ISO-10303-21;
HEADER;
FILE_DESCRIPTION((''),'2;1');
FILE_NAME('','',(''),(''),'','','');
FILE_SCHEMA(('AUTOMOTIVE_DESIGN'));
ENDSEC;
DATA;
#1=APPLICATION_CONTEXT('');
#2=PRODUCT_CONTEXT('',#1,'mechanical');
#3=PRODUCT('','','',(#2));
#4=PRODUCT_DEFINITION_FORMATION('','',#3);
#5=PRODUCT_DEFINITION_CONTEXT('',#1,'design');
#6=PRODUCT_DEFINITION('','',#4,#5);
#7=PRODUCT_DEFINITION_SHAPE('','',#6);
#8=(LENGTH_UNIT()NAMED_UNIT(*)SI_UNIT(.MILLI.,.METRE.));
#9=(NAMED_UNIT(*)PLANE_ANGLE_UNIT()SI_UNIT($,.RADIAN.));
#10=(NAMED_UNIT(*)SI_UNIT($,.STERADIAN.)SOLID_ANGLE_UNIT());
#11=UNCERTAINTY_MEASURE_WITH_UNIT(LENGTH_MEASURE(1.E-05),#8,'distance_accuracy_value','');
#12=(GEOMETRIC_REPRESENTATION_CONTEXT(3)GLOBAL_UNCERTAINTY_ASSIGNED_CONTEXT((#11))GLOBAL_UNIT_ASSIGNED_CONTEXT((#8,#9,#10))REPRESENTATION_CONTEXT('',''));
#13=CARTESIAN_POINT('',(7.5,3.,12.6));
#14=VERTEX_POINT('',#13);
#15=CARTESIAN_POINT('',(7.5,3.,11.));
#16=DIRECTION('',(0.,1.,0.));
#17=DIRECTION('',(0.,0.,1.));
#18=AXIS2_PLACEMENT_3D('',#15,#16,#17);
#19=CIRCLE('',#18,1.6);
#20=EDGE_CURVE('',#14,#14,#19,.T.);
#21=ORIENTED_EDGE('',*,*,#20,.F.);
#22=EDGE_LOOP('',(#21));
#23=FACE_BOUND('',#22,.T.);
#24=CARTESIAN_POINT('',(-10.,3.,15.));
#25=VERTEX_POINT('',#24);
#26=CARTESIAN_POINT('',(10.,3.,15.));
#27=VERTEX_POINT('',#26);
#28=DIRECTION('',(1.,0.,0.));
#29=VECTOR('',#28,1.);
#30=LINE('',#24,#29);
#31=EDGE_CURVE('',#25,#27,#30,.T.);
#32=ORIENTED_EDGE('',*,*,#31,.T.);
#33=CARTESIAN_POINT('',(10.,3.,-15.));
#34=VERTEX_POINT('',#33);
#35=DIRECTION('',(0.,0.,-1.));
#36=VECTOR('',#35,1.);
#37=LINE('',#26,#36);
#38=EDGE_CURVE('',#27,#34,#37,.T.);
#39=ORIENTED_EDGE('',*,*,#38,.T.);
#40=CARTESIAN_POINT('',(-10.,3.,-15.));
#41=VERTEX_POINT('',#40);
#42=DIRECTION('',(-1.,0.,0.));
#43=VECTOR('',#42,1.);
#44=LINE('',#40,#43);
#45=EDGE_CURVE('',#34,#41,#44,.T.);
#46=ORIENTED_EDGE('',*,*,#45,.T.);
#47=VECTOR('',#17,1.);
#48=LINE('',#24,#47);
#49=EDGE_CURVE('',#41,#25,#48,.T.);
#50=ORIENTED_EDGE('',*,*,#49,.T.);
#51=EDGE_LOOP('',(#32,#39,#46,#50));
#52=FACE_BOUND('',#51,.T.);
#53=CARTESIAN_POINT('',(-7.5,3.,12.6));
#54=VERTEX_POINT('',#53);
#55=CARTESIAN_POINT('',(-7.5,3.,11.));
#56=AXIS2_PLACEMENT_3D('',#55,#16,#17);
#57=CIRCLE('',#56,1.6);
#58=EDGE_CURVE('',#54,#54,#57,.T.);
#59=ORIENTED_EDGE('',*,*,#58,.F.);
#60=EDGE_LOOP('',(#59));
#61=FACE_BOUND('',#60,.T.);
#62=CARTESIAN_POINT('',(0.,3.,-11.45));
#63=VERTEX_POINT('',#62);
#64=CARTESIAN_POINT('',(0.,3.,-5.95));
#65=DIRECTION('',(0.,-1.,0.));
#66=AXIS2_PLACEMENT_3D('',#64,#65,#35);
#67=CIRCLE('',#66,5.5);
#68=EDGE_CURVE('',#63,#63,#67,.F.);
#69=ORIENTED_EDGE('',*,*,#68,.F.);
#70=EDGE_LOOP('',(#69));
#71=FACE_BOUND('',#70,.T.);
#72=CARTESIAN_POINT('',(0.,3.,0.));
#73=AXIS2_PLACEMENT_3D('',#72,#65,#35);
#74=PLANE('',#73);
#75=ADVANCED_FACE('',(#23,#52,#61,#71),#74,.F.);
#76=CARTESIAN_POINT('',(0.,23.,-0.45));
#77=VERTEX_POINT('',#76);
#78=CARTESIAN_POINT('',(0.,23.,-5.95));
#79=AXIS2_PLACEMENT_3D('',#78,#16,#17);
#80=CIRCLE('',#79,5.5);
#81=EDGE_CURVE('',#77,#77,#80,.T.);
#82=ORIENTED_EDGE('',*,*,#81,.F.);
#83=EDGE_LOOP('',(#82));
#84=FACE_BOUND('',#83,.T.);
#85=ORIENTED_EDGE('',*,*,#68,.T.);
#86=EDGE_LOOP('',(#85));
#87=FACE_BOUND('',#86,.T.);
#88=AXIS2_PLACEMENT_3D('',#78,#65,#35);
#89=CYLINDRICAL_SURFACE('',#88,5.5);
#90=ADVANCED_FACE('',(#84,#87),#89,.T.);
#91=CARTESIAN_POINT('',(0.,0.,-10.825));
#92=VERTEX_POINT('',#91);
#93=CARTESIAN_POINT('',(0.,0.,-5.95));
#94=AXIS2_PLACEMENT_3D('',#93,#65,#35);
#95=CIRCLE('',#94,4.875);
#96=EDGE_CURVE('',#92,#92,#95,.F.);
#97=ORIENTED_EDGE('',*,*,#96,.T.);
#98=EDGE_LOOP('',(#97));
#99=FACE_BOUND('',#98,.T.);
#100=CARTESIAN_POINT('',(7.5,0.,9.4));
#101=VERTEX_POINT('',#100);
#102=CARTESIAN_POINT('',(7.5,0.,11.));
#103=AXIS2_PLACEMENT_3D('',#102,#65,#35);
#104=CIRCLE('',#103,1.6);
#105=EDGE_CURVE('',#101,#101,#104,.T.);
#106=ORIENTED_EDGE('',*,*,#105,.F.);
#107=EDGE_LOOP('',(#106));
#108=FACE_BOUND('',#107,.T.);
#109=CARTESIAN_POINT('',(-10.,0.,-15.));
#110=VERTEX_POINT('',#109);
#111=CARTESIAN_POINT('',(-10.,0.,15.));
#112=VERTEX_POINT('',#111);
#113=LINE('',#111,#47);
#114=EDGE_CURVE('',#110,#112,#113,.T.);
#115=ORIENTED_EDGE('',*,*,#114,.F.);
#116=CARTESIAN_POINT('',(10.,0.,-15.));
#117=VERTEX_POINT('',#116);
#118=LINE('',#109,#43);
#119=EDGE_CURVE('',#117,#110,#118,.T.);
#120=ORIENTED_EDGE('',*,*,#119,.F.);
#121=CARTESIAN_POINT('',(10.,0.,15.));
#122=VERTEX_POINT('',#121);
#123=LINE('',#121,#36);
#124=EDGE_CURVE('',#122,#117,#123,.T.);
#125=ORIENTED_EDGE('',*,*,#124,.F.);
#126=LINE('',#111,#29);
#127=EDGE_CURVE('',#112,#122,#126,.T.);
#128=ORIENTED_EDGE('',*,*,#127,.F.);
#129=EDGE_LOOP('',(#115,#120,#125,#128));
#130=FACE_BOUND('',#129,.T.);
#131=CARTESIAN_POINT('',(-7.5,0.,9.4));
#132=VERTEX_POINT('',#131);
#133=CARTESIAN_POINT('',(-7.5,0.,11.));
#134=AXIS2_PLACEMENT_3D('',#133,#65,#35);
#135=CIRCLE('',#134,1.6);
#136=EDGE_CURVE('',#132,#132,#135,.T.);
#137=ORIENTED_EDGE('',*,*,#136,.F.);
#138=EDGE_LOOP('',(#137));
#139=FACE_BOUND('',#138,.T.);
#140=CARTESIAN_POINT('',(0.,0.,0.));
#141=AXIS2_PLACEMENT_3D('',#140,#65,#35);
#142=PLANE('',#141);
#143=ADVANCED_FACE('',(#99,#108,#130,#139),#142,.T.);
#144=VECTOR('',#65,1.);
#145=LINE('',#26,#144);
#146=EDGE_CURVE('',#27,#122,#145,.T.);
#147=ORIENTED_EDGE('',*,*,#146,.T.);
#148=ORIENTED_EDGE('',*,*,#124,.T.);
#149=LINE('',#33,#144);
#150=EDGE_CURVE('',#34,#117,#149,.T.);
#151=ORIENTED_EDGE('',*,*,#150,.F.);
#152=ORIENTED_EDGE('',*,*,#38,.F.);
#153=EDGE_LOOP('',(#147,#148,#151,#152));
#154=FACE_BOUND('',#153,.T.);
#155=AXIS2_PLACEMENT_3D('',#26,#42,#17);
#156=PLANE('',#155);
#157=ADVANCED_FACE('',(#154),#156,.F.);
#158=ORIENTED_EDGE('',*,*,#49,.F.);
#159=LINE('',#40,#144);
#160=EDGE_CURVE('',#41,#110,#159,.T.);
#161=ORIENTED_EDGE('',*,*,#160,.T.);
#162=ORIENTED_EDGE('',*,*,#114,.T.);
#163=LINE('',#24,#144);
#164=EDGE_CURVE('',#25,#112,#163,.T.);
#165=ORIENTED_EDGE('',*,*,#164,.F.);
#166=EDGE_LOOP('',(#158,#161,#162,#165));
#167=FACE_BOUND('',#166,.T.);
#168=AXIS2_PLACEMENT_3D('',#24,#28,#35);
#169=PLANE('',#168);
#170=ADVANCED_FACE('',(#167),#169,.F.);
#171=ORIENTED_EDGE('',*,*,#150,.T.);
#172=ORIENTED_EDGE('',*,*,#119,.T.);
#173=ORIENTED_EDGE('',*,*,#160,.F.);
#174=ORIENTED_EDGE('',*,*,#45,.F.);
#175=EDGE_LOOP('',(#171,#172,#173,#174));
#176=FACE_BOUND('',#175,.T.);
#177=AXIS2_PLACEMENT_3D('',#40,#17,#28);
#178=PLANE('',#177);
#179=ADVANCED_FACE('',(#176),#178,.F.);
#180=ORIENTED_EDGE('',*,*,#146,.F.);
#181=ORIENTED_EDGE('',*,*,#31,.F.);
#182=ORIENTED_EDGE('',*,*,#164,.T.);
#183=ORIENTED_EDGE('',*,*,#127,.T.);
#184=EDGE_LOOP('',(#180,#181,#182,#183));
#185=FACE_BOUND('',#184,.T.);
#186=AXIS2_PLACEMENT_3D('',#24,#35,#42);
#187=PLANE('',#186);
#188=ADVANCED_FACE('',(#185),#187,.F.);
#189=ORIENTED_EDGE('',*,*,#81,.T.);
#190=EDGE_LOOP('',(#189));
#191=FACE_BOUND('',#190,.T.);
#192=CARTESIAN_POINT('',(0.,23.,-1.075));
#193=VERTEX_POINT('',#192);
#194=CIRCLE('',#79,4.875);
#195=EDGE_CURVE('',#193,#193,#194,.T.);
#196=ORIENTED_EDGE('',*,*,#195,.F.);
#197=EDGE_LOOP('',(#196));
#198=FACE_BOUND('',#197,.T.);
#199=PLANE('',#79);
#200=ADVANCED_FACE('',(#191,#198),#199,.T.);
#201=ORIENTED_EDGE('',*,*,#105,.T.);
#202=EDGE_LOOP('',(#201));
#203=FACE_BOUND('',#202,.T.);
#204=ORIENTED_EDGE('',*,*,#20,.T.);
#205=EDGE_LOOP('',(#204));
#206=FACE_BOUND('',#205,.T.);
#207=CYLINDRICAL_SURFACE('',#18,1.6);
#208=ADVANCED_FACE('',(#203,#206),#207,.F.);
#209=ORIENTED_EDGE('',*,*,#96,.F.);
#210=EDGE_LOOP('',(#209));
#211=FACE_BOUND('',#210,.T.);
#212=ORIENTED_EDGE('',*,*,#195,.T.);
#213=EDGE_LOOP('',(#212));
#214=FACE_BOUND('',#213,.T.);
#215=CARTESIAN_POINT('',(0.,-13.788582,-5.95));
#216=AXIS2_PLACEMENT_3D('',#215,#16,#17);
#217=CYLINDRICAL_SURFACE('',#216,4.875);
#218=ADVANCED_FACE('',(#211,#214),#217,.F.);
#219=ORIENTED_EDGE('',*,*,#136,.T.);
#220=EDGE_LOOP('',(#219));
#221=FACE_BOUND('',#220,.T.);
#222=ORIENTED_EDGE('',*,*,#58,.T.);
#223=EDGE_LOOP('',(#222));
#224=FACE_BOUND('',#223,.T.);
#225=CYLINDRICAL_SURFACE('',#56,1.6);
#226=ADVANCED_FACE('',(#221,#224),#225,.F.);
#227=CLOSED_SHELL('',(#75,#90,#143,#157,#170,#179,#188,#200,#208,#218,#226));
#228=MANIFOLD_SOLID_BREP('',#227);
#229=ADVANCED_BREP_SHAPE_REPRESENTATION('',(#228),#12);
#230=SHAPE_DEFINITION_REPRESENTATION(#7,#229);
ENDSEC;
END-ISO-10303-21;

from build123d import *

# Parameters (mm, degrees)
SKETCH1_W                = 20
SKETCH1_H                = 30
BOSS_EXTRUDE1_DEPTH      = 3
M3_CLEARANCE_HOLE1_D     = 3.2
M3_CLEARANCE_HOLE1_DEPTH = 5
M3_CLEARANCE_HOLE1_TIP   = 0.96137699
SKETCH4_R                = 4.875
CUT_EXTRUDE1_DEPTH       = 3
BOSS_EXTRUDE2_START      = 20
SKETCH5_R                = 5.5
SKETCH5_R_2              = 4.875
BOSS_EXTRUDE2_DEPTH      = 20


with BuildPart() as part:
    # Sketch1 → Boss-Extrude1 (new body)
    with BuildSketch(Plane(origin=(0, 0, 0), x_dir=(1, 0, 0), z_dir=(0, 1, 0))):
        Rectangle(SKETCH1_W, SKETCH1_H)
    extrude(amount=BOSS_EXTRUDE1_DEPTH)

    # M3 Clearance Hole1
    with Locations(Plane(origin=(-7.5, 3, 11), x_dir=(0, 0, 1), z_dir=(0, 1, 0))):
        with Locations((0, 0), (0, 15)):
            Hole(M3_CLEARANCE_HOLE1_D / 2, depth=M3_CLEARANCE_HOLE1_DEPTH)
            with Locations((0, 0, -(M3_CLEARANCE_HOLE1_DEPTH + M3_CLEARANCE_HOLE1_TIP / 2))):  # 118° drill point
                Cone(0, M3_CLEARANCE_HOLE1_D / 2, M3_CLEARANCE_HOLE1_TIP, mode=Mode.SUBTRACT)

    # Sketch4 → Cut-Extrude1 (cut)
    with BuildSketch(Plane(origin=(0, 3, 0), x_dir=(1, 0, 0), z_dir=(0, 1, 0))):
        with Locations(Location((0, 5.95, 0), (0, 0, 270))):
            Circle(SKETCH4_R)
    extrude(amount=-CUT_EXTRUDE1_DEPTH, mode=Mode.SUBTRACT)

    # Sketch5 → Boss-Extrude2 (add)
    with BuildSketch(Plane(origin=(0, 3, 0), x_dir=(1, 0, 0), z_dir=(0, 1, 0)).offset(BOSS_EXTRUDE2_START)):
        with Locations(Location((0, 5.95, 0), (0, 0, 90))):
            Circle(SKETCH5_R)
        with Locations(Location((0, 5.95, 0), (0, 0, 270))):
            Circle(SKETCH5_R_2, mode=Mode.SUBTRACT)
    extrude(amount=-BOSS_EXTRUDE2_DEPTH)


solid = part.part
